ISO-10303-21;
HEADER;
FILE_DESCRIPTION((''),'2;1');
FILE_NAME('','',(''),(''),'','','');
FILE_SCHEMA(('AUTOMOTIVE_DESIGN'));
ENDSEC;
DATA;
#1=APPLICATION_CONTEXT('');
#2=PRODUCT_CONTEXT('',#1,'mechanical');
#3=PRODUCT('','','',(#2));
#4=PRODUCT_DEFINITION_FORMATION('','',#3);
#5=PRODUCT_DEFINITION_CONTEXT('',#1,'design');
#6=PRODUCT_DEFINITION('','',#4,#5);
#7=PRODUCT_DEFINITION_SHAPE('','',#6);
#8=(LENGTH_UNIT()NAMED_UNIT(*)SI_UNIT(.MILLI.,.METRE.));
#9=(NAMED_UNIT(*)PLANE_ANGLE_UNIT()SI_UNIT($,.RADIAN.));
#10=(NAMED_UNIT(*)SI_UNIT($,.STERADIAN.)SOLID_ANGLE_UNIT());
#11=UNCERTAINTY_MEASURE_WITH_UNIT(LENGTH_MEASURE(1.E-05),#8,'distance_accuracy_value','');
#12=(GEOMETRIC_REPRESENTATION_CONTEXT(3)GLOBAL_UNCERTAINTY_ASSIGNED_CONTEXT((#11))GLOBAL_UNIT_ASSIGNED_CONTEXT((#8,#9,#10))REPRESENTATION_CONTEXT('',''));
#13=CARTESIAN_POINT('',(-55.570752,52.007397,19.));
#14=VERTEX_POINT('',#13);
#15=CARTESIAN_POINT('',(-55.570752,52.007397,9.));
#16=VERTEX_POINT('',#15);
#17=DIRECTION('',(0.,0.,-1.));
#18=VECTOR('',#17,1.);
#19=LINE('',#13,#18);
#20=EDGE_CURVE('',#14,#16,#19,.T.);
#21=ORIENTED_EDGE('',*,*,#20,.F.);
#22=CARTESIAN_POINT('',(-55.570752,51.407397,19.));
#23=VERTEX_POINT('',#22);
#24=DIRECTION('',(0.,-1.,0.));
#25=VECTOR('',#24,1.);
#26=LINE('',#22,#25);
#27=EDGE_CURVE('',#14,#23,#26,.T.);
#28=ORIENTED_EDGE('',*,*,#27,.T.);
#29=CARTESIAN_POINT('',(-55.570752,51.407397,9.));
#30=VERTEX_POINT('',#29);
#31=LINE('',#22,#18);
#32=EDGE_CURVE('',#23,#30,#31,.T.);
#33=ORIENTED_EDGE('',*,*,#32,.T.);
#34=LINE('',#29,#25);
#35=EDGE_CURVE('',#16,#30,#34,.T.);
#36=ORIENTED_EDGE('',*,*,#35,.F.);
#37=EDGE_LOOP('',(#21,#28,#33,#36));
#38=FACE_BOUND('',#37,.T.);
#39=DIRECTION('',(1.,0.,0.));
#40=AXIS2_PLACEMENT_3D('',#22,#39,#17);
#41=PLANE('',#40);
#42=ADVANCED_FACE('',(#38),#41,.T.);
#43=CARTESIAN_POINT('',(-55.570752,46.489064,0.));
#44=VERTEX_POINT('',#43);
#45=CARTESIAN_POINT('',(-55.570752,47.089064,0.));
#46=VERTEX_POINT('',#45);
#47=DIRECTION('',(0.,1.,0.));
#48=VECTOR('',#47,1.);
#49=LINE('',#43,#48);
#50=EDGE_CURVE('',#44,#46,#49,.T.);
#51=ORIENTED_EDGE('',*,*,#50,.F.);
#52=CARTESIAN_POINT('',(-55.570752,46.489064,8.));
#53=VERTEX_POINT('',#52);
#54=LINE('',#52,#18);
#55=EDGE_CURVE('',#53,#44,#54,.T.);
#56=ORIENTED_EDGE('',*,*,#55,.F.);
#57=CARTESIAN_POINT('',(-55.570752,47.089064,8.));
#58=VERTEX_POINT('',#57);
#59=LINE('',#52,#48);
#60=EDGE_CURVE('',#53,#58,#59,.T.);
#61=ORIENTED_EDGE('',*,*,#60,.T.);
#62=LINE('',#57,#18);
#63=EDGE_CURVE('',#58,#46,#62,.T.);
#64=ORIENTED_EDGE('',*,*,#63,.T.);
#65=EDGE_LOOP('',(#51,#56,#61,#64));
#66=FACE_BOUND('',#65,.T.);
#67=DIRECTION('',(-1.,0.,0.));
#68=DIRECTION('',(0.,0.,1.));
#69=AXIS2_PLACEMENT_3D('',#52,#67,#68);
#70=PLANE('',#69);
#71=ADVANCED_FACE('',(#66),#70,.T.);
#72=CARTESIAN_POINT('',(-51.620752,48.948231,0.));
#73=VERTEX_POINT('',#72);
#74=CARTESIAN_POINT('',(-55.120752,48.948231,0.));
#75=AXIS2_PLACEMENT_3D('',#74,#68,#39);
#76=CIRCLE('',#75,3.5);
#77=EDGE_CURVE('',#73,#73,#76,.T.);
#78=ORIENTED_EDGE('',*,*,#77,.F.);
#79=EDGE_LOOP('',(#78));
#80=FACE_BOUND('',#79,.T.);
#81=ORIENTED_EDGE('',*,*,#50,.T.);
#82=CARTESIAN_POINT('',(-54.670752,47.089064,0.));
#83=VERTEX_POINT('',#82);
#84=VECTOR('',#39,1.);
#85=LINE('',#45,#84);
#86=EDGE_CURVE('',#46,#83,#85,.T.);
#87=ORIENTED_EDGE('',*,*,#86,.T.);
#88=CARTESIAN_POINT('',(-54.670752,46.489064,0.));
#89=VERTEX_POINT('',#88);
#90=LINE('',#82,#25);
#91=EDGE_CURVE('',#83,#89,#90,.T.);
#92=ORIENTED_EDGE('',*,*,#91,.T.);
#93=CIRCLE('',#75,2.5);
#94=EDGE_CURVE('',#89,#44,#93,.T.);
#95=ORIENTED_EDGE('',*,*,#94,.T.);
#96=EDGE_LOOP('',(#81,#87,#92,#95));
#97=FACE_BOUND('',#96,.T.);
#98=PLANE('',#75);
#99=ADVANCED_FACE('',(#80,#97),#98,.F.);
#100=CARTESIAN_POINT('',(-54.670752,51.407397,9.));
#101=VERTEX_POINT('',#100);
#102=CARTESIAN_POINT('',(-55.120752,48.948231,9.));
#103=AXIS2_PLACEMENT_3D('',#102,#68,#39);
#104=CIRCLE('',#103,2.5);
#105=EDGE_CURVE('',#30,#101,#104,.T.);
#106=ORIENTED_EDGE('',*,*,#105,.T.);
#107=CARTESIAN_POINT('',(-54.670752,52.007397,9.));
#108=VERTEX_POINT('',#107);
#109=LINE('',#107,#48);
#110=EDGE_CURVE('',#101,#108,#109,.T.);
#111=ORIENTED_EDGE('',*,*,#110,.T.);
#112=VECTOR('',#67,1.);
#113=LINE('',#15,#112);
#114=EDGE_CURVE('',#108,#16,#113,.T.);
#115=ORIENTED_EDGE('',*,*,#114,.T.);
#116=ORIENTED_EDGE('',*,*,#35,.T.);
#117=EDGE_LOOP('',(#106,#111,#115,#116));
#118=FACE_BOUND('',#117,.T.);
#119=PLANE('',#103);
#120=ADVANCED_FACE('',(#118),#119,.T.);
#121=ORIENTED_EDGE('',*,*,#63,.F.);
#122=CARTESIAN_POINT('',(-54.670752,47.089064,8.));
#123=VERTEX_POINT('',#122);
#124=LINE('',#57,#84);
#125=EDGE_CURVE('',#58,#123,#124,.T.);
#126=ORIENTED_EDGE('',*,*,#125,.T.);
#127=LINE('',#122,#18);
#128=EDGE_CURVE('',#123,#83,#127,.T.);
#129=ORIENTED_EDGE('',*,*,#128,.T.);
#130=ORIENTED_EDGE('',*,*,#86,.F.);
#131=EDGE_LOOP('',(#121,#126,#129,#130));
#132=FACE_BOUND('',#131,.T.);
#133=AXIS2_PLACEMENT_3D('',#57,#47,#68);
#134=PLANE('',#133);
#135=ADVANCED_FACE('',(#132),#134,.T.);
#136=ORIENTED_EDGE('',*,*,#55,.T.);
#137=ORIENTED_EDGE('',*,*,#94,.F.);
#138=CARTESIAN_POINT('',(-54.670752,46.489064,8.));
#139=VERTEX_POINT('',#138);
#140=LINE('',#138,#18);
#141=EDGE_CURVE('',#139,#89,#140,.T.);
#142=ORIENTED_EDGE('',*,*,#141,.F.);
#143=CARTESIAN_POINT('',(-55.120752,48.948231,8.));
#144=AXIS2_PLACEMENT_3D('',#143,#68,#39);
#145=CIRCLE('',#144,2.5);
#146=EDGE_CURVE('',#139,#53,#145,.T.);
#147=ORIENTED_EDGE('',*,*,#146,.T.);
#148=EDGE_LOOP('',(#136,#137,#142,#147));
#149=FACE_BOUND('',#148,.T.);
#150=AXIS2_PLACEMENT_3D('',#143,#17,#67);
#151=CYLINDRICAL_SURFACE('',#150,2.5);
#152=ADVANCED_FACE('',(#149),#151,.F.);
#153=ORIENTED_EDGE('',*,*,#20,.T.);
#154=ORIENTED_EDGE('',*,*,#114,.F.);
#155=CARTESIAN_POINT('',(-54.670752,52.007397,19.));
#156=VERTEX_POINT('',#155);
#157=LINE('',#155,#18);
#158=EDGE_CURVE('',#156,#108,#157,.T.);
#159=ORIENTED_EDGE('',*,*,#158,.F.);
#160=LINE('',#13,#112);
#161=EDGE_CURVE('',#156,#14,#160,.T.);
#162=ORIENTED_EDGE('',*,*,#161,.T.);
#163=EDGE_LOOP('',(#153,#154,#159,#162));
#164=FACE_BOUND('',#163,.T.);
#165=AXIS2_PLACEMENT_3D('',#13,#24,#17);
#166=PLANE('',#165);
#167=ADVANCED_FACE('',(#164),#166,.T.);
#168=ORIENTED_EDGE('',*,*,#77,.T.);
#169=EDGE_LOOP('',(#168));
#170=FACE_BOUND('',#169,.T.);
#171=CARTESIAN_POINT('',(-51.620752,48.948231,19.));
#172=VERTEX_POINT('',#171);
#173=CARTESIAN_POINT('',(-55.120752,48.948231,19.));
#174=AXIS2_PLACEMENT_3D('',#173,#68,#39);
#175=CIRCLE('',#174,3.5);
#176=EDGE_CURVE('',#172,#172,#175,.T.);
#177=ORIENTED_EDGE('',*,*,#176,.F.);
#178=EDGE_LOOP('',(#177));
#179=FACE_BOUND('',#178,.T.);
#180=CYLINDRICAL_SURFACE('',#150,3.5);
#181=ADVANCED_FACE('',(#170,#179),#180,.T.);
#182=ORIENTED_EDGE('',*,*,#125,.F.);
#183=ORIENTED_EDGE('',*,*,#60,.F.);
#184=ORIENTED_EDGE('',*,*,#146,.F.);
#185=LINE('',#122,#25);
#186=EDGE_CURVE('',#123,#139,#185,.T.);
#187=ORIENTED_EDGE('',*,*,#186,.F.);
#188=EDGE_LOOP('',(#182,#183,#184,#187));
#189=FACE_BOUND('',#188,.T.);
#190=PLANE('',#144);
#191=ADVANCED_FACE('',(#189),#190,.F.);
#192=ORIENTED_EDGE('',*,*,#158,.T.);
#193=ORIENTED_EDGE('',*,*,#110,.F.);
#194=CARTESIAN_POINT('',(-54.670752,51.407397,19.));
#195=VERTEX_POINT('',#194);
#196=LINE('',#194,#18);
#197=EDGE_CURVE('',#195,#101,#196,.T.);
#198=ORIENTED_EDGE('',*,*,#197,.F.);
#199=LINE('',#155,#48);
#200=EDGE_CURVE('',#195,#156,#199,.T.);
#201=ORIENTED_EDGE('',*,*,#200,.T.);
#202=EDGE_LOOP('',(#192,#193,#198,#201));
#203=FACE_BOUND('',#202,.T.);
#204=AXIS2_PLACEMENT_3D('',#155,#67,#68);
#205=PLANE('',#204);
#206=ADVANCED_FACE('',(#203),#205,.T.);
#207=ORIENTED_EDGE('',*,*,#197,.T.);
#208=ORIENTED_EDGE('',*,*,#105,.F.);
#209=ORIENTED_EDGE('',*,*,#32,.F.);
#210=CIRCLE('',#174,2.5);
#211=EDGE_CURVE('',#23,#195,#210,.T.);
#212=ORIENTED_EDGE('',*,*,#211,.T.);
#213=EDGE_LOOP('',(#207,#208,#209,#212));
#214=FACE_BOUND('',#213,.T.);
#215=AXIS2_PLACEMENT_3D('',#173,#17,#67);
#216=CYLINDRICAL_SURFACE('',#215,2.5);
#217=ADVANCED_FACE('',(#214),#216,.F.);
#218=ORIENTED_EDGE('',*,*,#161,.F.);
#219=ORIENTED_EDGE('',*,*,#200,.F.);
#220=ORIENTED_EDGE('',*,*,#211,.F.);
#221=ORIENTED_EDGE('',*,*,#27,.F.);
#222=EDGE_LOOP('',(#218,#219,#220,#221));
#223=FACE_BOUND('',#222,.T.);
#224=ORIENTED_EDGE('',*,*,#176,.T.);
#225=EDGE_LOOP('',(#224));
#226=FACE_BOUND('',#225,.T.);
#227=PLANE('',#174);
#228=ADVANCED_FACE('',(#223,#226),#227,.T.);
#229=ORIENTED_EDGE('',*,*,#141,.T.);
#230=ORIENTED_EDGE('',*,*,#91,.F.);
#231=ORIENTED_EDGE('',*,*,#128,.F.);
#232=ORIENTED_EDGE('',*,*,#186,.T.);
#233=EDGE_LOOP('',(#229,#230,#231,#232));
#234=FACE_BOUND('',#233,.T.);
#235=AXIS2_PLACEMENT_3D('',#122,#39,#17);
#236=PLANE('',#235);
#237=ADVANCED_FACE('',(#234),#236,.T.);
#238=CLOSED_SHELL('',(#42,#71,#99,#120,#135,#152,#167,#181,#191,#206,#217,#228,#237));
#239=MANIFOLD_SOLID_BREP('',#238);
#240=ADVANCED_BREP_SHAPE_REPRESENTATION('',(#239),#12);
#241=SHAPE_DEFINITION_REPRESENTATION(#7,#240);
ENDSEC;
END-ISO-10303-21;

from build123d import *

# Parameters (mm, degrees)
CROQUIS1_R              = 3.5
SALIENTE_EXTRUIR1_DEPTH = 8
CROQUIS2_R              = 3.5
SALIENTE_EXTRUIR2_DEPTH = 1
CROQUIS3_R              = 3.5
SALIENTE_EXTRUIR3_DEPTH = 10


with BuildPart() as part:
    # Croquis1 → Saliente-Extruir1 (new body)
    with BuildSketch(Plane.XY):
        with Locations((-55.120752438, 48.948230875)):
            Circle(CROQUIS1_R)
        with BuildLine():
            Line((-55.570752438, 46.489064349), (-55.570752438, 47.089064349))
            Line((-55.570752438, 47.089064349), (-54.670752438, 47.089064349))
            Line((-54.670752438, 47.089064349), (-54.670752438, 46.489064349))
            ThreePointArc((-54.670752438, 46.489064349), (-55.120752438, 51.448230875), (-55.570752438, 46.489064349))
        make_face(mode=Mode.SUBTRACT)
    extrude(amount=SALIENTE_EXTRUIR1_DEPTH)

    # Croquis2 → Saliente-Extruir2 (add)
    with BuildSketch(Plane.XY.offset(8)):
        with Locations((-55.120752438, 48.948230875)):
            Circle(CROQUIS2_R)
    extrude(amount=SALIENTE_EXTRUIR2_DEPTH)

    # Croquis3 → Saliente-Extruir3 (add)
    with BuildSketch(Plane.XY.offset(9)):
        with Locations((-55.120752438, 48.948230875)):
            Circle(CROQUIS3_R)
        with BuildLine():
            Line((-55.570752438, 51.4073974), (-55.570752438, 52.0073974))
            Line((-55.570752438, 52.0073974), (-54.670752438, 52.0073974))
            Line((-54.670752438, 52.0073974), (-54.670752438, 51.4073974))
            ThreePointArc((-54.670752438, 51.4073974), (-55.120752438, 46.448230875), (-55.570752438, 51.4073974))
        make_face(mode=Mode.SUBTRACT)
    extrude(amount=SALIENTE_EXTRUIR3_DEPTH)


solid = part.part
